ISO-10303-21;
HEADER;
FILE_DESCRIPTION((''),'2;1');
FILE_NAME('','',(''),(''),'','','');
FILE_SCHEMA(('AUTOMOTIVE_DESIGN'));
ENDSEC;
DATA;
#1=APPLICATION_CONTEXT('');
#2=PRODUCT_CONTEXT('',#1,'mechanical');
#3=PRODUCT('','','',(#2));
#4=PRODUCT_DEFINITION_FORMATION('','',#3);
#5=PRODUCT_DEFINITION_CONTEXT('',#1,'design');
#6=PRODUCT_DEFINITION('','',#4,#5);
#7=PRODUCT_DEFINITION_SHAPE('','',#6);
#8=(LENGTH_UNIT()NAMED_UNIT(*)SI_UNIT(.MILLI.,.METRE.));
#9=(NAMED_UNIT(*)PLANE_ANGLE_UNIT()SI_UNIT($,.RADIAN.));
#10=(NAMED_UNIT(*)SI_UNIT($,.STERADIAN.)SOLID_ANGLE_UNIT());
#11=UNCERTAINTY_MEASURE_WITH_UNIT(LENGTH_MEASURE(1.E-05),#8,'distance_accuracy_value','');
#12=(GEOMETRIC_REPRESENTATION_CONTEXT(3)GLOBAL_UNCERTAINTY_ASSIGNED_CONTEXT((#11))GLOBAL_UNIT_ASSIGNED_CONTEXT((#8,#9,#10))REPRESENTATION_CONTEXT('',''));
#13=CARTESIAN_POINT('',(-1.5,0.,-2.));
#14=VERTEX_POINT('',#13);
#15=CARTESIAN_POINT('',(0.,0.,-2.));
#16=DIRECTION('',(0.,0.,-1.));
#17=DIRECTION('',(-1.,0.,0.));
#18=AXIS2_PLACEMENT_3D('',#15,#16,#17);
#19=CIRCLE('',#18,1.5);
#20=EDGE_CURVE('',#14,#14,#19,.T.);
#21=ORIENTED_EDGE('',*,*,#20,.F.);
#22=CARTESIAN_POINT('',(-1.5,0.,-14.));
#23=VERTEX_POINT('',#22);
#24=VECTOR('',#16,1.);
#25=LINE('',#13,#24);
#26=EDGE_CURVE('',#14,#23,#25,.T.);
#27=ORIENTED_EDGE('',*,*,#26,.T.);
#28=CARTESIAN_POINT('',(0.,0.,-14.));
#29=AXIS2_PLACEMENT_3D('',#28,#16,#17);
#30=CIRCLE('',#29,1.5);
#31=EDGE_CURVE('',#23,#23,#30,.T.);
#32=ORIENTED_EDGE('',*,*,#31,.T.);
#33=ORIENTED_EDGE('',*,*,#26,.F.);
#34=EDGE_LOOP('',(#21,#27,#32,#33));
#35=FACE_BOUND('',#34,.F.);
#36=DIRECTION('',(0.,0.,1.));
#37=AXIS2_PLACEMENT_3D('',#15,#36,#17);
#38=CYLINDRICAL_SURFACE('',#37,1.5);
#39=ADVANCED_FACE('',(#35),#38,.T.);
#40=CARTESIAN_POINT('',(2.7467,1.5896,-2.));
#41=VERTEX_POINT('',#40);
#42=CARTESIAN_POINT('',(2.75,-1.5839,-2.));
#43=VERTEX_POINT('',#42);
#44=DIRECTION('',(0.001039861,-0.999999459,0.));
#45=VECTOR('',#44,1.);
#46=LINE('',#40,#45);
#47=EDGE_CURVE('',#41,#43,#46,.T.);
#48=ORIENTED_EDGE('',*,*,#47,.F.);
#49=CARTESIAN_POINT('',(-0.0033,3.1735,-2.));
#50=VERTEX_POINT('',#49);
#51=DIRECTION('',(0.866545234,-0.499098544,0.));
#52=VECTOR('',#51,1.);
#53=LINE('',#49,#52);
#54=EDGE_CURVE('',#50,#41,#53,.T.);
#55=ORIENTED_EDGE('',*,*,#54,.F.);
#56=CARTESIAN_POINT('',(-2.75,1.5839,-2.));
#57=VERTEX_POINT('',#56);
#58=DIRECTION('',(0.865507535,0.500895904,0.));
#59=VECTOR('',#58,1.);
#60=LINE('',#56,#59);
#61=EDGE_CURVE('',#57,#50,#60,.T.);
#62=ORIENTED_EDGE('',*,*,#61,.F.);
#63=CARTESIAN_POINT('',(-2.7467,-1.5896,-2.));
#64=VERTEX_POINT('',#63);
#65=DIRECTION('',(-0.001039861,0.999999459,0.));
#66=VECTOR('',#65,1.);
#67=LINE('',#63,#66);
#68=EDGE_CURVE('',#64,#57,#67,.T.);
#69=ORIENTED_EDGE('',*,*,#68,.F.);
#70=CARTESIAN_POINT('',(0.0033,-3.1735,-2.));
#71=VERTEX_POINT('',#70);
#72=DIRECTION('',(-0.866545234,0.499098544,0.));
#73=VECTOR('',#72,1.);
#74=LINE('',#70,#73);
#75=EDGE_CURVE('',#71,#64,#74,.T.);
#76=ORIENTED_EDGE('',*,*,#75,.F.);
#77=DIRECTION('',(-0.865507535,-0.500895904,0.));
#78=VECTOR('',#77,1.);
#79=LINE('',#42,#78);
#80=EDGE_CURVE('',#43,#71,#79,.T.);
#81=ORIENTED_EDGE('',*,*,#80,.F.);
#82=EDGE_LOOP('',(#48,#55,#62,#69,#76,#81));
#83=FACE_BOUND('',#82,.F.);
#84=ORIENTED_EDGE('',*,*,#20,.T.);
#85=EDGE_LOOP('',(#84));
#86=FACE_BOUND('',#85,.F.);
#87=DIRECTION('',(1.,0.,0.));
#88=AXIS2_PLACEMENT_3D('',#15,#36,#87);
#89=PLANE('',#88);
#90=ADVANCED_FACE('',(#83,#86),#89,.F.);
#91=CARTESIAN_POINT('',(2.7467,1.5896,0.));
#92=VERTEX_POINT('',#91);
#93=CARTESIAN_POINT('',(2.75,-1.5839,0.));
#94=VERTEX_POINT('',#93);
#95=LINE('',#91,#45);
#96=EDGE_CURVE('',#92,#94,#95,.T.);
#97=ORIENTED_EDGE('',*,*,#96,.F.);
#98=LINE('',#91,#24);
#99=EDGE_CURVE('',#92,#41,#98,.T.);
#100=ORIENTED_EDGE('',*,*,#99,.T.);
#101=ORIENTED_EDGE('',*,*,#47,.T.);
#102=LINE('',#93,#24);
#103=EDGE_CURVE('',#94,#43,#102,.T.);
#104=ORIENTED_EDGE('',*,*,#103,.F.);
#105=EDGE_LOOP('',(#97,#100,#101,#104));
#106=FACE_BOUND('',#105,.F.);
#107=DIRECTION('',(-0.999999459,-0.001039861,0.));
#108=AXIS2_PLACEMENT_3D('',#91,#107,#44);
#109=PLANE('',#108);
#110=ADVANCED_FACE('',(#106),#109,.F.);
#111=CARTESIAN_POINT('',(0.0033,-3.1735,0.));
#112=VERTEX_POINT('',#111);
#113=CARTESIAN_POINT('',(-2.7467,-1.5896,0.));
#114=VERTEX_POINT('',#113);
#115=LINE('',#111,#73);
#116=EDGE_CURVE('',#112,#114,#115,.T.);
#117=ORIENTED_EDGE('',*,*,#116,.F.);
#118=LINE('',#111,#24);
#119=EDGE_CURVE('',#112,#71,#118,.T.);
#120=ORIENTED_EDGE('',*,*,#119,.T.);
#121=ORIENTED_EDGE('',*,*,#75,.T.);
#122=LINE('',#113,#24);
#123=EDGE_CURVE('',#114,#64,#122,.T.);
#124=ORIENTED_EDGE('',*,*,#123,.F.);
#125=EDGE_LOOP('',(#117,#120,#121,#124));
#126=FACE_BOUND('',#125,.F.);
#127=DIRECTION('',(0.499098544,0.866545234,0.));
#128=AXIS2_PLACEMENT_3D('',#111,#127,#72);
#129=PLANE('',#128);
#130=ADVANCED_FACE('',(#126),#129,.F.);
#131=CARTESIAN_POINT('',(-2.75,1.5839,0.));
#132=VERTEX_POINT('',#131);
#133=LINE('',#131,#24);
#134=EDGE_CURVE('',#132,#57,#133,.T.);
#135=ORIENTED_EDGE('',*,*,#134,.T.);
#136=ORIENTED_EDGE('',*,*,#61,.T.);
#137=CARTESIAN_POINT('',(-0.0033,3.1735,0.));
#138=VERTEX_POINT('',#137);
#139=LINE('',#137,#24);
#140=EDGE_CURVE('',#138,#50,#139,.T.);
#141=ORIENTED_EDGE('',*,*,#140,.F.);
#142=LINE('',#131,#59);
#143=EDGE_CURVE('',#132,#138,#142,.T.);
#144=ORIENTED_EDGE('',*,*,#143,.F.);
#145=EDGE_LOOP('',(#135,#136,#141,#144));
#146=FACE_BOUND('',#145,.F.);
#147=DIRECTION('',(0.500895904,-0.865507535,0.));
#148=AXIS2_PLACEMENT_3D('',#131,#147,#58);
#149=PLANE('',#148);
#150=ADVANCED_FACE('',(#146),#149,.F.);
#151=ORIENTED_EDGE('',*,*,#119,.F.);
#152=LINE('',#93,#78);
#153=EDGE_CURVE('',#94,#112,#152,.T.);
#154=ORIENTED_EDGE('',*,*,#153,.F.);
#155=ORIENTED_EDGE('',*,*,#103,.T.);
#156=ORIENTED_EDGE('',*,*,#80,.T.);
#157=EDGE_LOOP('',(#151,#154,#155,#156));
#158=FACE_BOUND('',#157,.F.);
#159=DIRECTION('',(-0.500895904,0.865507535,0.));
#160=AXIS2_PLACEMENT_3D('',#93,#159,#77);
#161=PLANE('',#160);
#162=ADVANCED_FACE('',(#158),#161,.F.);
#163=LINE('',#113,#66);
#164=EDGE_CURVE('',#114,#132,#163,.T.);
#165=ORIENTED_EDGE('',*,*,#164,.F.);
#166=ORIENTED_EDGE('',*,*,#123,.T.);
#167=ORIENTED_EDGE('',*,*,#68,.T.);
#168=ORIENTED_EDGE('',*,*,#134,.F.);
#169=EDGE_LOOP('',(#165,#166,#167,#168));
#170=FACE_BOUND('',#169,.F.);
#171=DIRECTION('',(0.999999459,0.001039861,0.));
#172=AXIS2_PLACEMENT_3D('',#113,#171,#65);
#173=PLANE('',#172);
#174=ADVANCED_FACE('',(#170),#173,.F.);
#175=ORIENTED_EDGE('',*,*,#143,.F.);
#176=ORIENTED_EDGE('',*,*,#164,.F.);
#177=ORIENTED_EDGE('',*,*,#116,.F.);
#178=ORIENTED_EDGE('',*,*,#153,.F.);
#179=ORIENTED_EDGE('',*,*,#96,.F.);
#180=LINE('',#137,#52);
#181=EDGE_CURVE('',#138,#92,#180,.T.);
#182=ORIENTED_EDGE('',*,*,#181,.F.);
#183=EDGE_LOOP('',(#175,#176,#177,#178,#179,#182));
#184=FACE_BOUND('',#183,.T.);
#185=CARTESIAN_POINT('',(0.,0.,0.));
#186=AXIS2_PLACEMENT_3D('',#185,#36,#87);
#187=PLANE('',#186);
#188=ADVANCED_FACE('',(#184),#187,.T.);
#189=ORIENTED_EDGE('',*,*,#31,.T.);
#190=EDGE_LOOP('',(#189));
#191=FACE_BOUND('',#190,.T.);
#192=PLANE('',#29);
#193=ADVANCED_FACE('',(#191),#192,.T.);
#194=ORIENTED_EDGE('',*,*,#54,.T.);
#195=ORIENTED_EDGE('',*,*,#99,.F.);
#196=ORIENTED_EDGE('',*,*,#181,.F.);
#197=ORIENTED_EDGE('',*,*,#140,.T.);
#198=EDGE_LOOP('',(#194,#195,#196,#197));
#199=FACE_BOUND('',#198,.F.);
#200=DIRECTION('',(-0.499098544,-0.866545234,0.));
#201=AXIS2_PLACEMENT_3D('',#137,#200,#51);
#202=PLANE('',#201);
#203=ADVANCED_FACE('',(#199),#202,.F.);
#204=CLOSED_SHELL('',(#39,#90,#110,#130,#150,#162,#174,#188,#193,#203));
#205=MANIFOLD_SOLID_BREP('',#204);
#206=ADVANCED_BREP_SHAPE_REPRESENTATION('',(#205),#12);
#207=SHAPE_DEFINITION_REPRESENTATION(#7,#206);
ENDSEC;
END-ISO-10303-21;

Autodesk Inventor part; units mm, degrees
ref_plane "YZ Plane" through (0, 0, 0) normal (1, 0, 0) x (0, 1, 0)
ref_plane "XZ Plane" through (0, 0, 0) normal (0, 1, 0) x (-1, 0, 0)
ref_plane "XY Plane" through (0, 0, 0) normal (0, 0, 1) x (1, 0, 0)
sketch "Boceto1" plane through (0, 0, 0) normal (0, 0, 1) x (1, 0, 0)
  line L0 (-2.75, 1.5839) -> (-0.0033, 3.1735)
  line L1 (-0.0033, 3.1735) -> (2.7467, 1.5896)
  line L2 (2.7467, 1.5896) -> (2.75, -1.5839)
  line L3 (2.75, -1.5839) -> (0.0033, -3.1735)
  line L4 (0.0033, -3.1735) -> (-2.7467, -1.5896)
  line L5 (-2.7467, -1.5896) -> (-2.75, 1.5839)
  point P0 (0, 0)
  point P1 (0, 0)
extrude "Extrusión1" add sketch "Boceto1" against normal blind 2
sketch "Boceto2" plane through (0, 0, -2) normal (0, 0, -1) x (-1, 0, 0)
  circle A0 centre (0, 0) radius 1.5
  dimension "d3" = 3
extrude "Extrusión2" add sketch "Boceto2" along normal blind 12
properties part number "Tornillo para Bracket"
